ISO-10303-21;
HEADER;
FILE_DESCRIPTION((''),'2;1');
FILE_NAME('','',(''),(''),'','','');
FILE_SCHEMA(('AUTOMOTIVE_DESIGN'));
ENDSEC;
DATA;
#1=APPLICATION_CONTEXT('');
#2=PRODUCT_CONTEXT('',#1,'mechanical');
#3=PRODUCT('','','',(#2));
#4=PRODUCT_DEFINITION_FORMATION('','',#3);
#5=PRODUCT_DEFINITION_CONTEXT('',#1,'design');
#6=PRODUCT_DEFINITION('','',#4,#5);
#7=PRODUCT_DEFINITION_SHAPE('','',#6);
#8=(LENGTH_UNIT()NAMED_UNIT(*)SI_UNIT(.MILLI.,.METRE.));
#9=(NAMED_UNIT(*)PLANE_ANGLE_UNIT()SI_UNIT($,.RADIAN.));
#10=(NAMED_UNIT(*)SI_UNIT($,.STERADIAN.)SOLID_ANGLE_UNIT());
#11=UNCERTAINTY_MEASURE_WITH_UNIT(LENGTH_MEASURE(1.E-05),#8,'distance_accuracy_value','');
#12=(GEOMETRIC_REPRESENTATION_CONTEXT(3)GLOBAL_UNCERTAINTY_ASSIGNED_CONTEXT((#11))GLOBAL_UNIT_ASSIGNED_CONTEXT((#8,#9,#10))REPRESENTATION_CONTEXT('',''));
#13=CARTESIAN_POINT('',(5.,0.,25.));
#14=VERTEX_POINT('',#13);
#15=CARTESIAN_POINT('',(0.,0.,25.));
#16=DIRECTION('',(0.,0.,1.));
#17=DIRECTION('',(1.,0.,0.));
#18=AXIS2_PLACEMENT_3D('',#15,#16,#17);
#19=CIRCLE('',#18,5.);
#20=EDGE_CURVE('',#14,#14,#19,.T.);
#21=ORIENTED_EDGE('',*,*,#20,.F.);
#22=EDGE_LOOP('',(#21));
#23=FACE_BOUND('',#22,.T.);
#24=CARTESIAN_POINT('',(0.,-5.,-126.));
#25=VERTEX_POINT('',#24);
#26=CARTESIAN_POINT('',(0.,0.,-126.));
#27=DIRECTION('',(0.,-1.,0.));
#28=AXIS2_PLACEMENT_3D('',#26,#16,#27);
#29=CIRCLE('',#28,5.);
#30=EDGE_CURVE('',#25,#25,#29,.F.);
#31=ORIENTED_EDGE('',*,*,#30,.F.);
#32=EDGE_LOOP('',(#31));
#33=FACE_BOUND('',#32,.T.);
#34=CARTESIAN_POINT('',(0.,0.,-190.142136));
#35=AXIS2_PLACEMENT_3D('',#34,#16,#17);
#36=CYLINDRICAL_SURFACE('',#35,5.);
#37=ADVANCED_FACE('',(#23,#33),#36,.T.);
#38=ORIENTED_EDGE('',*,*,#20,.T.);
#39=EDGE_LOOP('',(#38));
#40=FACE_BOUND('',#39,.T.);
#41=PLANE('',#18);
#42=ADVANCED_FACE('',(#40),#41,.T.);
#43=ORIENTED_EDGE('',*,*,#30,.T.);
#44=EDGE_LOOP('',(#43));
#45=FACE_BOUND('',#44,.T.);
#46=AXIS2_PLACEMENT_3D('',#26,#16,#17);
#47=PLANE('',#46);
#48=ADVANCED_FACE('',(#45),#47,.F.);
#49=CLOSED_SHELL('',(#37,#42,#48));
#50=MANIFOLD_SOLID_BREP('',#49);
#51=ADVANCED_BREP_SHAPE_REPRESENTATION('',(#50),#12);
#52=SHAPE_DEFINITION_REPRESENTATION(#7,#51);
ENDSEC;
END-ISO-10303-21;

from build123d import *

# Parameters (mm, degrees)
SKETCH_1_R           = 5
EXTRUDE_1_DEPTH      = 25
EXTRUDE_1_DEPTH_BACK = 126


with BuildPart() as part:
    # Эскиз1 → Бобышка-Вытянуть1 (new body, two sides)
    with BuildSketch(Plane.XY) as extrude_1_sk:
        Circle(SKETCH_1_R)
    extrude(amount=EXTRUDE_1_DEPTH)
    extrude(extrude_1_sk.sketch, amount=-EXTRUDE_1_DEPTH_BACK)


solid = part.part
